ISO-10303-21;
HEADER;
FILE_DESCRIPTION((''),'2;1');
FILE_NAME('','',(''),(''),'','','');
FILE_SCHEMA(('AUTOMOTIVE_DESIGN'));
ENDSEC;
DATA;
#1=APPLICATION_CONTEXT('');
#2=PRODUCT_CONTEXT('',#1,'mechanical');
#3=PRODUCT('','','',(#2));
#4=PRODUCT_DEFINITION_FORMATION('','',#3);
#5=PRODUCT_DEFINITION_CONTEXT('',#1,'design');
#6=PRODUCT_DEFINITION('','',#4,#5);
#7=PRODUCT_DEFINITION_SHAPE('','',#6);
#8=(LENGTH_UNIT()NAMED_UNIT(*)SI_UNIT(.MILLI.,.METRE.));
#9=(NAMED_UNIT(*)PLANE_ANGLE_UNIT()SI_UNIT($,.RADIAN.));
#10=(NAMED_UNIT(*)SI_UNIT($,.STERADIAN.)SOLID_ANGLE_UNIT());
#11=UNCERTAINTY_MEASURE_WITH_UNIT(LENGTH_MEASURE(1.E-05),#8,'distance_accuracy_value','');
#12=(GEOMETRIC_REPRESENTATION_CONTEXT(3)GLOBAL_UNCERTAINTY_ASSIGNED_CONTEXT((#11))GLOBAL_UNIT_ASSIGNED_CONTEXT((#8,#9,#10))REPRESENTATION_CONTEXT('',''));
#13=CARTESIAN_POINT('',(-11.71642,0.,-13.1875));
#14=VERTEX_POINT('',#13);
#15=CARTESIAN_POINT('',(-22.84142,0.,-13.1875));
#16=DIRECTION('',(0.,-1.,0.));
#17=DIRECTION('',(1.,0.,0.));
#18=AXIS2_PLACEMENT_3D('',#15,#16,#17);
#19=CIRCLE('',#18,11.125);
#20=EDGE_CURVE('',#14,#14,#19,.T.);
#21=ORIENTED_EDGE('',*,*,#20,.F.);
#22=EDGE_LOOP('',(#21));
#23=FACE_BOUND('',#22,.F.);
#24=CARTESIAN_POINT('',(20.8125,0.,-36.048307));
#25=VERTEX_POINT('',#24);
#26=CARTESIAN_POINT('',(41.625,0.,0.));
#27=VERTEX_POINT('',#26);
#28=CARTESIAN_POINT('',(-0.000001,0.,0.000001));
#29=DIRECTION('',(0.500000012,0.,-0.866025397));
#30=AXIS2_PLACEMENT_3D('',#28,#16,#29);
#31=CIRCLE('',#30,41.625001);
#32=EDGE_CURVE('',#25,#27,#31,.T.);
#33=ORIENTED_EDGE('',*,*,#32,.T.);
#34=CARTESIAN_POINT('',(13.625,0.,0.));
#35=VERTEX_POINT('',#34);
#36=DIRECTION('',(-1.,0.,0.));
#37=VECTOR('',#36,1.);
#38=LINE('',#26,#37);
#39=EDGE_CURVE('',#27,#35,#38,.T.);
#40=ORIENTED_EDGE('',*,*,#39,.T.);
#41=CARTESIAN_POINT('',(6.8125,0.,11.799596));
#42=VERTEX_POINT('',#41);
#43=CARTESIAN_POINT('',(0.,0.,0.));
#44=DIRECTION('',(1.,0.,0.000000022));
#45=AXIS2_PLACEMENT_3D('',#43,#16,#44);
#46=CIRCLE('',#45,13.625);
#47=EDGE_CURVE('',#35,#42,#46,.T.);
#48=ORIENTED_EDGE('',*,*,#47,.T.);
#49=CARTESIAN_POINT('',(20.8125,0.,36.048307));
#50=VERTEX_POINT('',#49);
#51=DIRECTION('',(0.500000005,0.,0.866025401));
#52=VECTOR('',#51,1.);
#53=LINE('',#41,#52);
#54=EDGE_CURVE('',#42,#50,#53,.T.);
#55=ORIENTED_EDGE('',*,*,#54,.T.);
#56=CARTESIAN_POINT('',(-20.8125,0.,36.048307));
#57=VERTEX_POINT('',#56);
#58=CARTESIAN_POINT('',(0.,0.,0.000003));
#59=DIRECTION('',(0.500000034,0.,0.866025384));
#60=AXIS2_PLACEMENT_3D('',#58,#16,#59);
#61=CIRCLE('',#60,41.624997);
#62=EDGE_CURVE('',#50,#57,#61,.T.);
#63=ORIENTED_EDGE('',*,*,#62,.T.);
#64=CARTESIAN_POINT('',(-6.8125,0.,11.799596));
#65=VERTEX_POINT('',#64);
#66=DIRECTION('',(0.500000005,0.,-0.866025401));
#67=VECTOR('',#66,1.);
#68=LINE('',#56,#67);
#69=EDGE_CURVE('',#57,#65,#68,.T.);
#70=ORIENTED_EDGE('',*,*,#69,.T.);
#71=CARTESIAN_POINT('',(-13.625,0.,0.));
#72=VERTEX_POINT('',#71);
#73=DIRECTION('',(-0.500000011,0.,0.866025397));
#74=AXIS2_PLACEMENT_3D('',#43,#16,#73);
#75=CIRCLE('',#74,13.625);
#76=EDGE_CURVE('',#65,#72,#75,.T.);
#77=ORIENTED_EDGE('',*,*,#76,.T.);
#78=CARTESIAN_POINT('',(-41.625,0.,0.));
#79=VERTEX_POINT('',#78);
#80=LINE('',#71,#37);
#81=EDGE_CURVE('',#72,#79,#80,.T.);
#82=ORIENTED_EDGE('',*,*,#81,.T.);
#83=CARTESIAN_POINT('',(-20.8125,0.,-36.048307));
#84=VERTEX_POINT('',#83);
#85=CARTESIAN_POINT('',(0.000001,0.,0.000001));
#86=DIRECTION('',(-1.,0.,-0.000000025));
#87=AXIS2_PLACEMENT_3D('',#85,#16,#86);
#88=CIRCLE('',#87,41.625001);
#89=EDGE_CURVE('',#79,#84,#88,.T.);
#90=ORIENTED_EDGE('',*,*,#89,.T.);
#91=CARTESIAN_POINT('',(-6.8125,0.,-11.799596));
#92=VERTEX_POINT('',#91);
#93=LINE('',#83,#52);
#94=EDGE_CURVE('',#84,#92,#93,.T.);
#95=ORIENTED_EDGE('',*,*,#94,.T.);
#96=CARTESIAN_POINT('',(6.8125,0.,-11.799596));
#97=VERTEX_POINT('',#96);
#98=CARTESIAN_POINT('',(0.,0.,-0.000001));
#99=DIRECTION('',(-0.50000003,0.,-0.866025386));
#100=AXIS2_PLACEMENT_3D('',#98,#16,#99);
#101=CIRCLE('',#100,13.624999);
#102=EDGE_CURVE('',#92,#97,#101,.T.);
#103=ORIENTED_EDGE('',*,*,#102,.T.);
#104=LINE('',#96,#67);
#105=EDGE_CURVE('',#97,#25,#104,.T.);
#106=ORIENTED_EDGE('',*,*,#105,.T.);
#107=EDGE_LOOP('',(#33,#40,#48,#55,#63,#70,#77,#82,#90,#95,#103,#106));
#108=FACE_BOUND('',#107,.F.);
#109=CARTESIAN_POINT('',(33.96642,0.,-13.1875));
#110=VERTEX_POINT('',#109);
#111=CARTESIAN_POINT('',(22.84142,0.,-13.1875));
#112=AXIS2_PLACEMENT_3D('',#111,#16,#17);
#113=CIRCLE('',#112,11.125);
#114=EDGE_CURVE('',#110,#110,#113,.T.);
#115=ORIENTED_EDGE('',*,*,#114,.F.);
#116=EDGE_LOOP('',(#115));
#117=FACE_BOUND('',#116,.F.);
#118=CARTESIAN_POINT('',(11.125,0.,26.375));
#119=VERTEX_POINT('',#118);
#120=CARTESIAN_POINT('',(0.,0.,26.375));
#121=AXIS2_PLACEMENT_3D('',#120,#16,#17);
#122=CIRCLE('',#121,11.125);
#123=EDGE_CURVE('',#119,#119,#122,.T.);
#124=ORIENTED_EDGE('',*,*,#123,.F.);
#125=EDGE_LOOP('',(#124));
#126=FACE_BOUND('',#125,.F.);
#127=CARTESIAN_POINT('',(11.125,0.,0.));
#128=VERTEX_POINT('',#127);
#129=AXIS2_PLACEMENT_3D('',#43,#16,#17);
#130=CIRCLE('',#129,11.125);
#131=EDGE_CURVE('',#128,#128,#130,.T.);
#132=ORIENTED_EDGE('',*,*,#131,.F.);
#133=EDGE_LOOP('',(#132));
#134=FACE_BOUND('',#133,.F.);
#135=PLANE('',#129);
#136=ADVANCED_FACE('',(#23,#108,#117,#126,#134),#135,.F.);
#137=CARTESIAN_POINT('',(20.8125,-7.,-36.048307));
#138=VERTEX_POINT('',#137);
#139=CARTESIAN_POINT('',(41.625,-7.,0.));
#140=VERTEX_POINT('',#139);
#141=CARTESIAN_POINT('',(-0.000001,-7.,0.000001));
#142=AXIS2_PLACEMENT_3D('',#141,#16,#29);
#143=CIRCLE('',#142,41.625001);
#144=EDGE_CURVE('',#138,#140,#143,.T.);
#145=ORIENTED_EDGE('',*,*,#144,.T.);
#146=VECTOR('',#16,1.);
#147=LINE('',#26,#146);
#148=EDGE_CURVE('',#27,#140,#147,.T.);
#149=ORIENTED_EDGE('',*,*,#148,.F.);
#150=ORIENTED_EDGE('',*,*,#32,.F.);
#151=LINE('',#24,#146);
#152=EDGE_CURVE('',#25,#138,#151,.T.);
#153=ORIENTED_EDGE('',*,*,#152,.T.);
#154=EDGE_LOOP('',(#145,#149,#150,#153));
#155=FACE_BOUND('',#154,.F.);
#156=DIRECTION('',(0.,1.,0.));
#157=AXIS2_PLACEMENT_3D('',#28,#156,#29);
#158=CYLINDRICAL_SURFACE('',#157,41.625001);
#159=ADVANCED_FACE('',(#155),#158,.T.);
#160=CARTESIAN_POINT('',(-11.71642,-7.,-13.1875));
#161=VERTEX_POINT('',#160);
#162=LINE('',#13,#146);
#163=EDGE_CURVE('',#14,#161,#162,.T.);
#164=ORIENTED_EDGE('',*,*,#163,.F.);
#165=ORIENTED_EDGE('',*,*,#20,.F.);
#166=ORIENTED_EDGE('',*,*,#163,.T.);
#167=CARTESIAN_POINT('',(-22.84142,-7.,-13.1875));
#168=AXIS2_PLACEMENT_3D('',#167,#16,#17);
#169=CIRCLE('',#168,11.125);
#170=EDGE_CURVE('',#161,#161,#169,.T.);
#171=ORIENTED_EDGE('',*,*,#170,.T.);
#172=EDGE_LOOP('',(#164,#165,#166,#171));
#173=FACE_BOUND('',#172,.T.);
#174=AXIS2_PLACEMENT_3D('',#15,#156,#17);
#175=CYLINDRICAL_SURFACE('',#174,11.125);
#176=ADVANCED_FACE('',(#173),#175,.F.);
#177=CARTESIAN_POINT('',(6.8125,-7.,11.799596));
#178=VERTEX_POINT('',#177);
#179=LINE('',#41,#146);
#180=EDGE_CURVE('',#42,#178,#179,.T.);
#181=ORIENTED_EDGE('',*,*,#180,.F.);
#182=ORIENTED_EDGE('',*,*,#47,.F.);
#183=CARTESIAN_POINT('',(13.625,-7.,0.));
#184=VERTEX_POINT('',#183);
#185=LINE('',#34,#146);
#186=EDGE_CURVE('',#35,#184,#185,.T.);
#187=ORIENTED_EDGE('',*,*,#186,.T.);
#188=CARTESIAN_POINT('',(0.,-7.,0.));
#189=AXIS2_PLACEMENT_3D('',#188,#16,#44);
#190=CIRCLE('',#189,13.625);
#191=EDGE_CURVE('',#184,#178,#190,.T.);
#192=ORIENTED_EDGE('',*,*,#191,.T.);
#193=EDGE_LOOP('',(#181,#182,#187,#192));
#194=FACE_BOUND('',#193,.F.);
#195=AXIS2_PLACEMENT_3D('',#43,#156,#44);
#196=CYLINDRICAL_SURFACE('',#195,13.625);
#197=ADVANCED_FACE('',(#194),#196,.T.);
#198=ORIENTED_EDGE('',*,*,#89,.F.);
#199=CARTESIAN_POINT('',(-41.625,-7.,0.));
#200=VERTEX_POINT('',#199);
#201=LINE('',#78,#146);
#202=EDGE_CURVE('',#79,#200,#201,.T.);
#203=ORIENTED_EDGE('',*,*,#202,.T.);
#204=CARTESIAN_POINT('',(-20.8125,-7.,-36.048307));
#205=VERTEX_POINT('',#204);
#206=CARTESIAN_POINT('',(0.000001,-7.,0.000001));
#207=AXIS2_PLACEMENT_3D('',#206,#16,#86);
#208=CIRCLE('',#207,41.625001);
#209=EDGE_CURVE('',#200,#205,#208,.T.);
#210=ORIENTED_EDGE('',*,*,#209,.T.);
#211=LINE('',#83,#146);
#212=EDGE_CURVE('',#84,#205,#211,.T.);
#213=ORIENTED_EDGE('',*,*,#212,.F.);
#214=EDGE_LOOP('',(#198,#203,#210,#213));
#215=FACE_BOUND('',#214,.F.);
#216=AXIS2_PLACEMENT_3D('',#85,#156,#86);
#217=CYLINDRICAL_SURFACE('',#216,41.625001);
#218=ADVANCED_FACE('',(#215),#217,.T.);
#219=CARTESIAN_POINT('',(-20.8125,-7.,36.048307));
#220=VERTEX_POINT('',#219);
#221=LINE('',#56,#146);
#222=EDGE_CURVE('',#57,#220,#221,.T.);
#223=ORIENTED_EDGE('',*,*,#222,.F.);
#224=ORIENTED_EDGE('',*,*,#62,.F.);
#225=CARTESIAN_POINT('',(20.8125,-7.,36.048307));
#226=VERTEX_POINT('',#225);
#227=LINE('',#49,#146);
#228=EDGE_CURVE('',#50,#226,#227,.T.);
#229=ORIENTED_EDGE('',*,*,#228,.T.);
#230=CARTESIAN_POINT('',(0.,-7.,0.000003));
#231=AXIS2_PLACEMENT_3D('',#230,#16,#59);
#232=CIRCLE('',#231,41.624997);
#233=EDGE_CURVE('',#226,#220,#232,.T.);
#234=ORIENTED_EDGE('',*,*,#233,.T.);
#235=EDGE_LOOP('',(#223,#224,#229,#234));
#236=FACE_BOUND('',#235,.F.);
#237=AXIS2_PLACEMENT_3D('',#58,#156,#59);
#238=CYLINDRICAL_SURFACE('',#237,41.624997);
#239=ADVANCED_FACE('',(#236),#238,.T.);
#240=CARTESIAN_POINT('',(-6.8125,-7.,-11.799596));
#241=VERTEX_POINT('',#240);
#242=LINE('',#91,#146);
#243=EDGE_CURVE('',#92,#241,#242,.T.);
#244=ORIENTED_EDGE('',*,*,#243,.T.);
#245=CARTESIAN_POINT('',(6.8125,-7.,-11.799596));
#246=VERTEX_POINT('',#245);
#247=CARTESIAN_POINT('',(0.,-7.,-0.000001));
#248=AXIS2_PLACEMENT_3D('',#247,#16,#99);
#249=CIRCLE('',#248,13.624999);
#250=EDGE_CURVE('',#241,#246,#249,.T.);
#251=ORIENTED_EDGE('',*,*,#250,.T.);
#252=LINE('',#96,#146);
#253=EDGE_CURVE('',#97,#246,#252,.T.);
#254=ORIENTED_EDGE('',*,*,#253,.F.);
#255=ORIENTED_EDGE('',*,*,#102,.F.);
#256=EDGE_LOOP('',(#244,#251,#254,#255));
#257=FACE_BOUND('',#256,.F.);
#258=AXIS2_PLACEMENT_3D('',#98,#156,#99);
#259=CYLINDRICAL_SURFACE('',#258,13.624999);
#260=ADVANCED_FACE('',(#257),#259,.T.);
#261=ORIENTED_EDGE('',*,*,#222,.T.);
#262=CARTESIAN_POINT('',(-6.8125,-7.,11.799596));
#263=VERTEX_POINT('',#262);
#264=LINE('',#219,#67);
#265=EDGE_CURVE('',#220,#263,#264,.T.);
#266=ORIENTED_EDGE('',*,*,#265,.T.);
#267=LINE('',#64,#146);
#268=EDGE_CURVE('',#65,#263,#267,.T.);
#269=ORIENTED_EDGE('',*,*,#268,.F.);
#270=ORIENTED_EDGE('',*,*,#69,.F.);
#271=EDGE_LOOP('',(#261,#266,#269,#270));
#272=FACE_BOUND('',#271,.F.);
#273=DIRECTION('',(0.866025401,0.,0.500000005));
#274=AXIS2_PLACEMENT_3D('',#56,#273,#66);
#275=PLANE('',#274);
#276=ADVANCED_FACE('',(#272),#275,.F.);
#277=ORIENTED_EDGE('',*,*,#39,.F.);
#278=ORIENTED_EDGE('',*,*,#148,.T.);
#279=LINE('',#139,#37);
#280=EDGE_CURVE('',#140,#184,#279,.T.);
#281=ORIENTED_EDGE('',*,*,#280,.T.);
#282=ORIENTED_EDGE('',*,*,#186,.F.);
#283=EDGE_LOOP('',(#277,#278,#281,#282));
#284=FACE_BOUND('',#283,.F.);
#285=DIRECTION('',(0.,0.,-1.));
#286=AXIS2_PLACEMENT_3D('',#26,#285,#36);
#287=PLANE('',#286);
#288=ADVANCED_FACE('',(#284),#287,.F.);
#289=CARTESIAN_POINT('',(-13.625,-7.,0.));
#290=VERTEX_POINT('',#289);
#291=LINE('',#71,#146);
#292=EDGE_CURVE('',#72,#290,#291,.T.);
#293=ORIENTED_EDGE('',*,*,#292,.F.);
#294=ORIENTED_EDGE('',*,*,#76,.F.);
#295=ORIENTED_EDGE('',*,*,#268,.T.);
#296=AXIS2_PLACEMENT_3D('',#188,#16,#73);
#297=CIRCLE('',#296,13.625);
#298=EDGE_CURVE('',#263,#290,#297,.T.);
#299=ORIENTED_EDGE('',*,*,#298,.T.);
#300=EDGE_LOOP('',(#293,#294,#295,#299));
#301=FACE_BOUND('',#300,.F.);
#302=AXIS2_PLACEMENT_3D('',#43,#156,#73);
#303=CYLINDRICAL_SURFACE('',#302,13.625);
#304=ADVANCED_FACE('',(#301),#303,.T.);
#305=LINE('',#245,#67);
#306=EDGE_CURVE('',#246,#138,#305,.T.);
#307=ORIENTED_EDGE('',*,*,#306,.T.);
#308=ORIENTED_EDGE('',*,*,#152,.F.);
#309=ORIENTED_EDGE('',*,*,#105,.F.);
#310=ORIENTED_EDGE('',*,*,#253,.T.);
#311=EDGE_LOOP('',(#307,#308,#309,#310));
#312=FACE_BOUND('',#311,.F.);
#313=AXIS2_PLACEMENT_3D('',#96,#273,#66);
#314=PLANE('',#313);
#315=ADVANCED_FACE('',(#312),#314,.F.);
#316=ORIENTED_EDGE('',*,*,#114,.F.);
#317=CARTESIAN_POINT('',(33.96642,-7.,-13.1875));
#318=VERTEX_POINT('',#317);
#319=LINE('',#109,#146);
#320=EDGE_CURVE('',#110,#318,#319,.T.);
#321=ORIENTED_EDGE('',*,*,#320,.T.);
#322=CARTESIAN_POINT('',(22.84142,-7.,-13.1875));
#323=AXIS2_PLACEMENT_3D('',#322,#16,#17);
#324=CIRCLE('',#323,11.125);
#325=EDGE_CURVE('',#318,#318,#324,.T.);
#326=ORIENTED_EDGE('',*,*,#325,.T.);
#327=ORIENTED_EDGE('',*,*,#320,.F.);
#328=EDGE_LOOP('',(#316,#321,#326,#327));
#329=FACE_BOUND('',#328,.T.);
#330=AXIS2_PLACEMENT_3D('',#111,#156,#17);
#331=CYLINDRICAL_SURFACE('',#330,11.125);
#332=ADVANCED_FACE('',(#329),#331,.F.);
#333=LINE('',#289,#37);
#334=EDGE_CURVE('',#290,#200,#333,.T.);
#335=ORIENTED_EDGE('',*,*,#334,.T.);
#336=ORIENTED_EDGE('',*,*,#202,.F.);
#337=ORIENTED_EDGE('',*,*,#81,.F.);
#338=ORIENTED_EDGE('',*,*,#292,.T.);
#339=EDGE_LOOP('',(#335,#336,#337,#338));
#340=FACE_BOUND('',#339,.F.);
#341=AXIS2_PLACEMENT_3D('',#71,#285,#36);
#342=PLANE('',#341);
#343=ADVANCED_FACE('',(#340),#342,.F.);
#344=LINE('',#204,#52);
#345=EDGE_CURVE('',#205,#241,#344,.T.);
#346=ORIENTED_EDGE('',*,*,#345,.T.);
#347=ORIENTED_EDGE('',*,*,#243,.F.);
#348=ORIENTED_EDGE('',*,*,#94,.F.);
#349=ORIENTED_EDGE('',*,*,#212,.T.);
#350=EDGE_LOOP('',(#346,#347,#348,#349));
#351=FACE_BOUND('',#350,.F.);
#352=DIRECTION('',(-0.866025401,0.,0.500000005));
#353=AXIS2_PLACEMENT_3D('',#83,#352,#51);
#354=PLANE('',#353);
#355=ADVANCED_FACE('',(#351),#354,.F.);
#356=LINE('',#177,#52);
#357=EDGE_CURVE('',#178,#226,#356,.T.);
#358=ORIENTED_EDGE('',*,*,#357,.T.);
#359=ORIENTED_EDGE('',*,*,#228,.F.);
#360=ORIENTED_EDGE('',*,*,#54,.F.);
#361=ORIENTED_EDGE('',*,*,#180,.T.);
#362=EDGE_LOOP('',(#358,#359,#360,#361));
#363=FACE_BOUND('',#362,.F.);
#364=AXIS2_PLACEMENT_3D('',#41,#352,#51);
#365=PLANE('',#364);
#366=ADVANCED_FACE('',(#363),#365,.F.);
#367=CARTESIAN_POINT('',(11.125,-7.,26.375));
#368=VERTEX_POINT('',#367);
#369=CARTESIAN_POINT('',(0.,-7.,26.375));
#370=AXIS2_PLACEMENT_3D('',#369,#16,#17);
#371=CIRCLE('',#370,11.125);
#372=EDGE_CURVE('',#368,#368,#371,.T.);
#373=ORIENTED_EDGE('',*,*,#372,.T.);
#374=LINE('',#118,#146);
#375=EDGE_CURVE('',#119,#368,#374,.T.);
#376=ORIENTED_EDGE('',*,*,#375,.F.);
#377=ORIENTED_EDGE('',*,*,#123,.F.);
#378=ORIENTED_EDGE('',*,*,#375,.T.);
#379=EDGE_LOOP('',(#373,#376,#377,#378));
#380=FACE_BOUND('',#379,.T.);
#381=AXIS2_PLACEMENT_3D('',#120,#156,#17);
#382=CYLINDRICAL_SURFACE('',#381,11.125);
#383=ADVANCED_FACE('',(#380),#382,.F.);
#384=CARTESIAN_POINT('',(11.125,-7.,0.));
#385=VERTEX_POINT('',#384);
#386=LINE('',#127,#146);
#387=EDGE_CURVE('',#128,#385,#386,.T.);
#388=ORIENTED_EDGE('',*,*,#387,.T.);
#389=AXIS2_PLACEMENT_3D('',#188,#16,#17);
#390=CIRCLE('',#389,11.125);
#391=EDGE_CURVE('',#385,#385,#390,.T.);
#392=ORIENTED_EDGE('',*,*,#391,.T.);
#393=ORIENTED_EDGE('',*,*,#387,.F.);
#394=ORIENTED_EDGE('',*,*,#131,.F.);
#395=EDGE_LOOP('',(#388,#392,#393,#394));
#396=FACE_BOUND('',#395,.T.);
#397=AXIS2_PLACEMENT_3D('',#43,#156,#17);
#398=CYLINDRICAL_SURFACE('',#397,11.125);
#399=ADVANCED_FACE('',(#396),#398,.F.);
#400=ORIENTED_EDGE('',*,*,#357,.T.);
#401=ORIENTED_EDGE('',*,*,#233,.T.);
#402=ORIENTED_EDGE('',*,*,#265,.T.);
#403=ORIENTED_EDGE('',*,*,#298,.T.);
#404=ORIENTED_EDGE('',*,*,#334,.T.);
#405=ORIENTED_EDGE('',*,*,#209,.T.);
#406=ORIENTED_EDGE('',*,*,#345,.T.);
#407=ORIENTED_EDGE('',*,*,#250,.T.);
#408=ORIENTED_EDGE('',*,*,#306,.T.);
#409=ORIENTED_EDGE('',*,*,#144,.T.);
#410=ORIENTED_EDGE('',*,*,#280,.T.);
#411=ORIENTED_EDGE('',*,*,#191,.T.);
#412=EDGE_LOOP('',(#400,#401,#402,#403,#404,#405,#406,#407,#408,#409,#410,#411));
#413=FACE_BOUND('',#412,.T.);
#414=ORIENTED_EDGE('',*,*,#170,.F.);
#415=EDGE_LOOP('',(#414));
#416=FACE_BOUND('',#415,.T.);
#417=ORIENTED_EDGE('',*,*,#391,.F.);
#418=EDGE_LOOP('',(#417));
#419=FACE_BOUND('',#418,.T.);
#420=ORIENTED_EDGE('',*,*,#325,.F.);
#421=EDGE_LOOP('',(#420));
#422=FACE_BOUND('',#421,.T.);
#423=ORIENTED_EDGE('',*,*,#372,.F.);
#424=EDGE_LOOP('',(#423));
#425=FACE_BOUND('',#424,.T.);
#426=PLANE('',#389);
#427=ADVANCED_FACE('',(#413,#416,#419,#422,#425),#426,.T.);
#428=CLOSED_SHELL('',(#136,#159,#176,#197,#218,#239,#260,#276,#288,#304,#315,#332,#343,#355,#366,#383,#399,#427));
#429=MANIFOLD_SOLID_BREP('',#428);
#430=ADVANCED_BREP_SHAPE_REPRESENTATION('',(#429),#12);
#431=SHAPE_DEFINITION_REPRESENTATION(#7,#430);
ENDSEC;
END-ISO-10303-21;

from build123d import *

# Parameters (mm, degrees)
F0_R     = 11.125
F1_DEPTH = 7


with BuildPart() as f1:
    # F0 (on Front) → F1 (new body)
    with BuildSketch(Plane.XZ):
        with BuildLine():
            ThreePointArc((6.8125, -11.799596), (11.799596, -6.8125), (13.625, 0))
            ThreePointArc((13.625, 0), (11.799596, 6.8125), (6.8125, 11.799596))
            ThreePointArc((6.8125, 11.799596), (0, 13.625), (-6.8125, 11.799596))
            ThreePointArc((-6.8125, 11.799596), (-11.799596, 6.8125), (-13.625, 0))
            ThreePointArc((-13.625, 0), (-11.799596, -6.8125), (-6.8125, -11.799596))
            ThreePointArc((-6.8125, -11.799596), (0, -13.625), (6.8125, -11.799596))
        make_face()
        Circle(F0_R, mode=Mode.SUBTRACT)
        with BuildLine():
            Line((41.625, 0), (13.625, 0))
            ThreePointArc((13.625, 0), (11.799596, -6.8125), (6.8125, -11.799596))
            Line((6.8125, -11.799596), (20.8125, -36.048307))
            ThreePointArc((20.8125, -36.048307), (36.048307, -20.8125), (41.625, 0))
        make_face()
        with Locations((22.84142, -13.1875)):
            Circle(F0_R, mode=Mode.SUBTRACT)
        with BuildLine():
            ThreePointArc((-6.8125, 11.799596), (0, 13.625), (6.8125, 11.799596))
            Line((6.8125, 11.799596), (20.8125, 36.048307))
            ThreePointArc((20.8125, 36.048307), (0, 41.625), (-20.8125, 36.048307))
            Line((-20.8125, 36.048307), (-6.8125, 11.799596))
        make_face()
        with Locations((0, 26.375)):
            Circle(F0_R, mode=Mode.SUBTRACT)
        with BuildLine():
            Line((-20.8125, -36.048307), (-6.8125, -11.799596))
            ThreePointArc((-6.8125, -11.799596), (-11.799596, -6.8125), (-13.625, 0))
            Line((-13.625, 0), (-41.625, 0))
            ThreePointArc((-41.625, 0), (-36.048307, -20.8125), (-20.8125, -36.048307))
        make_face()
        with Locations((-22.84142, -13.1875)):
            Circle(F0_R, mode=Mode.SUBTRACT)
    extrude(amount=F1_DEPTH)


solid = f1.part
